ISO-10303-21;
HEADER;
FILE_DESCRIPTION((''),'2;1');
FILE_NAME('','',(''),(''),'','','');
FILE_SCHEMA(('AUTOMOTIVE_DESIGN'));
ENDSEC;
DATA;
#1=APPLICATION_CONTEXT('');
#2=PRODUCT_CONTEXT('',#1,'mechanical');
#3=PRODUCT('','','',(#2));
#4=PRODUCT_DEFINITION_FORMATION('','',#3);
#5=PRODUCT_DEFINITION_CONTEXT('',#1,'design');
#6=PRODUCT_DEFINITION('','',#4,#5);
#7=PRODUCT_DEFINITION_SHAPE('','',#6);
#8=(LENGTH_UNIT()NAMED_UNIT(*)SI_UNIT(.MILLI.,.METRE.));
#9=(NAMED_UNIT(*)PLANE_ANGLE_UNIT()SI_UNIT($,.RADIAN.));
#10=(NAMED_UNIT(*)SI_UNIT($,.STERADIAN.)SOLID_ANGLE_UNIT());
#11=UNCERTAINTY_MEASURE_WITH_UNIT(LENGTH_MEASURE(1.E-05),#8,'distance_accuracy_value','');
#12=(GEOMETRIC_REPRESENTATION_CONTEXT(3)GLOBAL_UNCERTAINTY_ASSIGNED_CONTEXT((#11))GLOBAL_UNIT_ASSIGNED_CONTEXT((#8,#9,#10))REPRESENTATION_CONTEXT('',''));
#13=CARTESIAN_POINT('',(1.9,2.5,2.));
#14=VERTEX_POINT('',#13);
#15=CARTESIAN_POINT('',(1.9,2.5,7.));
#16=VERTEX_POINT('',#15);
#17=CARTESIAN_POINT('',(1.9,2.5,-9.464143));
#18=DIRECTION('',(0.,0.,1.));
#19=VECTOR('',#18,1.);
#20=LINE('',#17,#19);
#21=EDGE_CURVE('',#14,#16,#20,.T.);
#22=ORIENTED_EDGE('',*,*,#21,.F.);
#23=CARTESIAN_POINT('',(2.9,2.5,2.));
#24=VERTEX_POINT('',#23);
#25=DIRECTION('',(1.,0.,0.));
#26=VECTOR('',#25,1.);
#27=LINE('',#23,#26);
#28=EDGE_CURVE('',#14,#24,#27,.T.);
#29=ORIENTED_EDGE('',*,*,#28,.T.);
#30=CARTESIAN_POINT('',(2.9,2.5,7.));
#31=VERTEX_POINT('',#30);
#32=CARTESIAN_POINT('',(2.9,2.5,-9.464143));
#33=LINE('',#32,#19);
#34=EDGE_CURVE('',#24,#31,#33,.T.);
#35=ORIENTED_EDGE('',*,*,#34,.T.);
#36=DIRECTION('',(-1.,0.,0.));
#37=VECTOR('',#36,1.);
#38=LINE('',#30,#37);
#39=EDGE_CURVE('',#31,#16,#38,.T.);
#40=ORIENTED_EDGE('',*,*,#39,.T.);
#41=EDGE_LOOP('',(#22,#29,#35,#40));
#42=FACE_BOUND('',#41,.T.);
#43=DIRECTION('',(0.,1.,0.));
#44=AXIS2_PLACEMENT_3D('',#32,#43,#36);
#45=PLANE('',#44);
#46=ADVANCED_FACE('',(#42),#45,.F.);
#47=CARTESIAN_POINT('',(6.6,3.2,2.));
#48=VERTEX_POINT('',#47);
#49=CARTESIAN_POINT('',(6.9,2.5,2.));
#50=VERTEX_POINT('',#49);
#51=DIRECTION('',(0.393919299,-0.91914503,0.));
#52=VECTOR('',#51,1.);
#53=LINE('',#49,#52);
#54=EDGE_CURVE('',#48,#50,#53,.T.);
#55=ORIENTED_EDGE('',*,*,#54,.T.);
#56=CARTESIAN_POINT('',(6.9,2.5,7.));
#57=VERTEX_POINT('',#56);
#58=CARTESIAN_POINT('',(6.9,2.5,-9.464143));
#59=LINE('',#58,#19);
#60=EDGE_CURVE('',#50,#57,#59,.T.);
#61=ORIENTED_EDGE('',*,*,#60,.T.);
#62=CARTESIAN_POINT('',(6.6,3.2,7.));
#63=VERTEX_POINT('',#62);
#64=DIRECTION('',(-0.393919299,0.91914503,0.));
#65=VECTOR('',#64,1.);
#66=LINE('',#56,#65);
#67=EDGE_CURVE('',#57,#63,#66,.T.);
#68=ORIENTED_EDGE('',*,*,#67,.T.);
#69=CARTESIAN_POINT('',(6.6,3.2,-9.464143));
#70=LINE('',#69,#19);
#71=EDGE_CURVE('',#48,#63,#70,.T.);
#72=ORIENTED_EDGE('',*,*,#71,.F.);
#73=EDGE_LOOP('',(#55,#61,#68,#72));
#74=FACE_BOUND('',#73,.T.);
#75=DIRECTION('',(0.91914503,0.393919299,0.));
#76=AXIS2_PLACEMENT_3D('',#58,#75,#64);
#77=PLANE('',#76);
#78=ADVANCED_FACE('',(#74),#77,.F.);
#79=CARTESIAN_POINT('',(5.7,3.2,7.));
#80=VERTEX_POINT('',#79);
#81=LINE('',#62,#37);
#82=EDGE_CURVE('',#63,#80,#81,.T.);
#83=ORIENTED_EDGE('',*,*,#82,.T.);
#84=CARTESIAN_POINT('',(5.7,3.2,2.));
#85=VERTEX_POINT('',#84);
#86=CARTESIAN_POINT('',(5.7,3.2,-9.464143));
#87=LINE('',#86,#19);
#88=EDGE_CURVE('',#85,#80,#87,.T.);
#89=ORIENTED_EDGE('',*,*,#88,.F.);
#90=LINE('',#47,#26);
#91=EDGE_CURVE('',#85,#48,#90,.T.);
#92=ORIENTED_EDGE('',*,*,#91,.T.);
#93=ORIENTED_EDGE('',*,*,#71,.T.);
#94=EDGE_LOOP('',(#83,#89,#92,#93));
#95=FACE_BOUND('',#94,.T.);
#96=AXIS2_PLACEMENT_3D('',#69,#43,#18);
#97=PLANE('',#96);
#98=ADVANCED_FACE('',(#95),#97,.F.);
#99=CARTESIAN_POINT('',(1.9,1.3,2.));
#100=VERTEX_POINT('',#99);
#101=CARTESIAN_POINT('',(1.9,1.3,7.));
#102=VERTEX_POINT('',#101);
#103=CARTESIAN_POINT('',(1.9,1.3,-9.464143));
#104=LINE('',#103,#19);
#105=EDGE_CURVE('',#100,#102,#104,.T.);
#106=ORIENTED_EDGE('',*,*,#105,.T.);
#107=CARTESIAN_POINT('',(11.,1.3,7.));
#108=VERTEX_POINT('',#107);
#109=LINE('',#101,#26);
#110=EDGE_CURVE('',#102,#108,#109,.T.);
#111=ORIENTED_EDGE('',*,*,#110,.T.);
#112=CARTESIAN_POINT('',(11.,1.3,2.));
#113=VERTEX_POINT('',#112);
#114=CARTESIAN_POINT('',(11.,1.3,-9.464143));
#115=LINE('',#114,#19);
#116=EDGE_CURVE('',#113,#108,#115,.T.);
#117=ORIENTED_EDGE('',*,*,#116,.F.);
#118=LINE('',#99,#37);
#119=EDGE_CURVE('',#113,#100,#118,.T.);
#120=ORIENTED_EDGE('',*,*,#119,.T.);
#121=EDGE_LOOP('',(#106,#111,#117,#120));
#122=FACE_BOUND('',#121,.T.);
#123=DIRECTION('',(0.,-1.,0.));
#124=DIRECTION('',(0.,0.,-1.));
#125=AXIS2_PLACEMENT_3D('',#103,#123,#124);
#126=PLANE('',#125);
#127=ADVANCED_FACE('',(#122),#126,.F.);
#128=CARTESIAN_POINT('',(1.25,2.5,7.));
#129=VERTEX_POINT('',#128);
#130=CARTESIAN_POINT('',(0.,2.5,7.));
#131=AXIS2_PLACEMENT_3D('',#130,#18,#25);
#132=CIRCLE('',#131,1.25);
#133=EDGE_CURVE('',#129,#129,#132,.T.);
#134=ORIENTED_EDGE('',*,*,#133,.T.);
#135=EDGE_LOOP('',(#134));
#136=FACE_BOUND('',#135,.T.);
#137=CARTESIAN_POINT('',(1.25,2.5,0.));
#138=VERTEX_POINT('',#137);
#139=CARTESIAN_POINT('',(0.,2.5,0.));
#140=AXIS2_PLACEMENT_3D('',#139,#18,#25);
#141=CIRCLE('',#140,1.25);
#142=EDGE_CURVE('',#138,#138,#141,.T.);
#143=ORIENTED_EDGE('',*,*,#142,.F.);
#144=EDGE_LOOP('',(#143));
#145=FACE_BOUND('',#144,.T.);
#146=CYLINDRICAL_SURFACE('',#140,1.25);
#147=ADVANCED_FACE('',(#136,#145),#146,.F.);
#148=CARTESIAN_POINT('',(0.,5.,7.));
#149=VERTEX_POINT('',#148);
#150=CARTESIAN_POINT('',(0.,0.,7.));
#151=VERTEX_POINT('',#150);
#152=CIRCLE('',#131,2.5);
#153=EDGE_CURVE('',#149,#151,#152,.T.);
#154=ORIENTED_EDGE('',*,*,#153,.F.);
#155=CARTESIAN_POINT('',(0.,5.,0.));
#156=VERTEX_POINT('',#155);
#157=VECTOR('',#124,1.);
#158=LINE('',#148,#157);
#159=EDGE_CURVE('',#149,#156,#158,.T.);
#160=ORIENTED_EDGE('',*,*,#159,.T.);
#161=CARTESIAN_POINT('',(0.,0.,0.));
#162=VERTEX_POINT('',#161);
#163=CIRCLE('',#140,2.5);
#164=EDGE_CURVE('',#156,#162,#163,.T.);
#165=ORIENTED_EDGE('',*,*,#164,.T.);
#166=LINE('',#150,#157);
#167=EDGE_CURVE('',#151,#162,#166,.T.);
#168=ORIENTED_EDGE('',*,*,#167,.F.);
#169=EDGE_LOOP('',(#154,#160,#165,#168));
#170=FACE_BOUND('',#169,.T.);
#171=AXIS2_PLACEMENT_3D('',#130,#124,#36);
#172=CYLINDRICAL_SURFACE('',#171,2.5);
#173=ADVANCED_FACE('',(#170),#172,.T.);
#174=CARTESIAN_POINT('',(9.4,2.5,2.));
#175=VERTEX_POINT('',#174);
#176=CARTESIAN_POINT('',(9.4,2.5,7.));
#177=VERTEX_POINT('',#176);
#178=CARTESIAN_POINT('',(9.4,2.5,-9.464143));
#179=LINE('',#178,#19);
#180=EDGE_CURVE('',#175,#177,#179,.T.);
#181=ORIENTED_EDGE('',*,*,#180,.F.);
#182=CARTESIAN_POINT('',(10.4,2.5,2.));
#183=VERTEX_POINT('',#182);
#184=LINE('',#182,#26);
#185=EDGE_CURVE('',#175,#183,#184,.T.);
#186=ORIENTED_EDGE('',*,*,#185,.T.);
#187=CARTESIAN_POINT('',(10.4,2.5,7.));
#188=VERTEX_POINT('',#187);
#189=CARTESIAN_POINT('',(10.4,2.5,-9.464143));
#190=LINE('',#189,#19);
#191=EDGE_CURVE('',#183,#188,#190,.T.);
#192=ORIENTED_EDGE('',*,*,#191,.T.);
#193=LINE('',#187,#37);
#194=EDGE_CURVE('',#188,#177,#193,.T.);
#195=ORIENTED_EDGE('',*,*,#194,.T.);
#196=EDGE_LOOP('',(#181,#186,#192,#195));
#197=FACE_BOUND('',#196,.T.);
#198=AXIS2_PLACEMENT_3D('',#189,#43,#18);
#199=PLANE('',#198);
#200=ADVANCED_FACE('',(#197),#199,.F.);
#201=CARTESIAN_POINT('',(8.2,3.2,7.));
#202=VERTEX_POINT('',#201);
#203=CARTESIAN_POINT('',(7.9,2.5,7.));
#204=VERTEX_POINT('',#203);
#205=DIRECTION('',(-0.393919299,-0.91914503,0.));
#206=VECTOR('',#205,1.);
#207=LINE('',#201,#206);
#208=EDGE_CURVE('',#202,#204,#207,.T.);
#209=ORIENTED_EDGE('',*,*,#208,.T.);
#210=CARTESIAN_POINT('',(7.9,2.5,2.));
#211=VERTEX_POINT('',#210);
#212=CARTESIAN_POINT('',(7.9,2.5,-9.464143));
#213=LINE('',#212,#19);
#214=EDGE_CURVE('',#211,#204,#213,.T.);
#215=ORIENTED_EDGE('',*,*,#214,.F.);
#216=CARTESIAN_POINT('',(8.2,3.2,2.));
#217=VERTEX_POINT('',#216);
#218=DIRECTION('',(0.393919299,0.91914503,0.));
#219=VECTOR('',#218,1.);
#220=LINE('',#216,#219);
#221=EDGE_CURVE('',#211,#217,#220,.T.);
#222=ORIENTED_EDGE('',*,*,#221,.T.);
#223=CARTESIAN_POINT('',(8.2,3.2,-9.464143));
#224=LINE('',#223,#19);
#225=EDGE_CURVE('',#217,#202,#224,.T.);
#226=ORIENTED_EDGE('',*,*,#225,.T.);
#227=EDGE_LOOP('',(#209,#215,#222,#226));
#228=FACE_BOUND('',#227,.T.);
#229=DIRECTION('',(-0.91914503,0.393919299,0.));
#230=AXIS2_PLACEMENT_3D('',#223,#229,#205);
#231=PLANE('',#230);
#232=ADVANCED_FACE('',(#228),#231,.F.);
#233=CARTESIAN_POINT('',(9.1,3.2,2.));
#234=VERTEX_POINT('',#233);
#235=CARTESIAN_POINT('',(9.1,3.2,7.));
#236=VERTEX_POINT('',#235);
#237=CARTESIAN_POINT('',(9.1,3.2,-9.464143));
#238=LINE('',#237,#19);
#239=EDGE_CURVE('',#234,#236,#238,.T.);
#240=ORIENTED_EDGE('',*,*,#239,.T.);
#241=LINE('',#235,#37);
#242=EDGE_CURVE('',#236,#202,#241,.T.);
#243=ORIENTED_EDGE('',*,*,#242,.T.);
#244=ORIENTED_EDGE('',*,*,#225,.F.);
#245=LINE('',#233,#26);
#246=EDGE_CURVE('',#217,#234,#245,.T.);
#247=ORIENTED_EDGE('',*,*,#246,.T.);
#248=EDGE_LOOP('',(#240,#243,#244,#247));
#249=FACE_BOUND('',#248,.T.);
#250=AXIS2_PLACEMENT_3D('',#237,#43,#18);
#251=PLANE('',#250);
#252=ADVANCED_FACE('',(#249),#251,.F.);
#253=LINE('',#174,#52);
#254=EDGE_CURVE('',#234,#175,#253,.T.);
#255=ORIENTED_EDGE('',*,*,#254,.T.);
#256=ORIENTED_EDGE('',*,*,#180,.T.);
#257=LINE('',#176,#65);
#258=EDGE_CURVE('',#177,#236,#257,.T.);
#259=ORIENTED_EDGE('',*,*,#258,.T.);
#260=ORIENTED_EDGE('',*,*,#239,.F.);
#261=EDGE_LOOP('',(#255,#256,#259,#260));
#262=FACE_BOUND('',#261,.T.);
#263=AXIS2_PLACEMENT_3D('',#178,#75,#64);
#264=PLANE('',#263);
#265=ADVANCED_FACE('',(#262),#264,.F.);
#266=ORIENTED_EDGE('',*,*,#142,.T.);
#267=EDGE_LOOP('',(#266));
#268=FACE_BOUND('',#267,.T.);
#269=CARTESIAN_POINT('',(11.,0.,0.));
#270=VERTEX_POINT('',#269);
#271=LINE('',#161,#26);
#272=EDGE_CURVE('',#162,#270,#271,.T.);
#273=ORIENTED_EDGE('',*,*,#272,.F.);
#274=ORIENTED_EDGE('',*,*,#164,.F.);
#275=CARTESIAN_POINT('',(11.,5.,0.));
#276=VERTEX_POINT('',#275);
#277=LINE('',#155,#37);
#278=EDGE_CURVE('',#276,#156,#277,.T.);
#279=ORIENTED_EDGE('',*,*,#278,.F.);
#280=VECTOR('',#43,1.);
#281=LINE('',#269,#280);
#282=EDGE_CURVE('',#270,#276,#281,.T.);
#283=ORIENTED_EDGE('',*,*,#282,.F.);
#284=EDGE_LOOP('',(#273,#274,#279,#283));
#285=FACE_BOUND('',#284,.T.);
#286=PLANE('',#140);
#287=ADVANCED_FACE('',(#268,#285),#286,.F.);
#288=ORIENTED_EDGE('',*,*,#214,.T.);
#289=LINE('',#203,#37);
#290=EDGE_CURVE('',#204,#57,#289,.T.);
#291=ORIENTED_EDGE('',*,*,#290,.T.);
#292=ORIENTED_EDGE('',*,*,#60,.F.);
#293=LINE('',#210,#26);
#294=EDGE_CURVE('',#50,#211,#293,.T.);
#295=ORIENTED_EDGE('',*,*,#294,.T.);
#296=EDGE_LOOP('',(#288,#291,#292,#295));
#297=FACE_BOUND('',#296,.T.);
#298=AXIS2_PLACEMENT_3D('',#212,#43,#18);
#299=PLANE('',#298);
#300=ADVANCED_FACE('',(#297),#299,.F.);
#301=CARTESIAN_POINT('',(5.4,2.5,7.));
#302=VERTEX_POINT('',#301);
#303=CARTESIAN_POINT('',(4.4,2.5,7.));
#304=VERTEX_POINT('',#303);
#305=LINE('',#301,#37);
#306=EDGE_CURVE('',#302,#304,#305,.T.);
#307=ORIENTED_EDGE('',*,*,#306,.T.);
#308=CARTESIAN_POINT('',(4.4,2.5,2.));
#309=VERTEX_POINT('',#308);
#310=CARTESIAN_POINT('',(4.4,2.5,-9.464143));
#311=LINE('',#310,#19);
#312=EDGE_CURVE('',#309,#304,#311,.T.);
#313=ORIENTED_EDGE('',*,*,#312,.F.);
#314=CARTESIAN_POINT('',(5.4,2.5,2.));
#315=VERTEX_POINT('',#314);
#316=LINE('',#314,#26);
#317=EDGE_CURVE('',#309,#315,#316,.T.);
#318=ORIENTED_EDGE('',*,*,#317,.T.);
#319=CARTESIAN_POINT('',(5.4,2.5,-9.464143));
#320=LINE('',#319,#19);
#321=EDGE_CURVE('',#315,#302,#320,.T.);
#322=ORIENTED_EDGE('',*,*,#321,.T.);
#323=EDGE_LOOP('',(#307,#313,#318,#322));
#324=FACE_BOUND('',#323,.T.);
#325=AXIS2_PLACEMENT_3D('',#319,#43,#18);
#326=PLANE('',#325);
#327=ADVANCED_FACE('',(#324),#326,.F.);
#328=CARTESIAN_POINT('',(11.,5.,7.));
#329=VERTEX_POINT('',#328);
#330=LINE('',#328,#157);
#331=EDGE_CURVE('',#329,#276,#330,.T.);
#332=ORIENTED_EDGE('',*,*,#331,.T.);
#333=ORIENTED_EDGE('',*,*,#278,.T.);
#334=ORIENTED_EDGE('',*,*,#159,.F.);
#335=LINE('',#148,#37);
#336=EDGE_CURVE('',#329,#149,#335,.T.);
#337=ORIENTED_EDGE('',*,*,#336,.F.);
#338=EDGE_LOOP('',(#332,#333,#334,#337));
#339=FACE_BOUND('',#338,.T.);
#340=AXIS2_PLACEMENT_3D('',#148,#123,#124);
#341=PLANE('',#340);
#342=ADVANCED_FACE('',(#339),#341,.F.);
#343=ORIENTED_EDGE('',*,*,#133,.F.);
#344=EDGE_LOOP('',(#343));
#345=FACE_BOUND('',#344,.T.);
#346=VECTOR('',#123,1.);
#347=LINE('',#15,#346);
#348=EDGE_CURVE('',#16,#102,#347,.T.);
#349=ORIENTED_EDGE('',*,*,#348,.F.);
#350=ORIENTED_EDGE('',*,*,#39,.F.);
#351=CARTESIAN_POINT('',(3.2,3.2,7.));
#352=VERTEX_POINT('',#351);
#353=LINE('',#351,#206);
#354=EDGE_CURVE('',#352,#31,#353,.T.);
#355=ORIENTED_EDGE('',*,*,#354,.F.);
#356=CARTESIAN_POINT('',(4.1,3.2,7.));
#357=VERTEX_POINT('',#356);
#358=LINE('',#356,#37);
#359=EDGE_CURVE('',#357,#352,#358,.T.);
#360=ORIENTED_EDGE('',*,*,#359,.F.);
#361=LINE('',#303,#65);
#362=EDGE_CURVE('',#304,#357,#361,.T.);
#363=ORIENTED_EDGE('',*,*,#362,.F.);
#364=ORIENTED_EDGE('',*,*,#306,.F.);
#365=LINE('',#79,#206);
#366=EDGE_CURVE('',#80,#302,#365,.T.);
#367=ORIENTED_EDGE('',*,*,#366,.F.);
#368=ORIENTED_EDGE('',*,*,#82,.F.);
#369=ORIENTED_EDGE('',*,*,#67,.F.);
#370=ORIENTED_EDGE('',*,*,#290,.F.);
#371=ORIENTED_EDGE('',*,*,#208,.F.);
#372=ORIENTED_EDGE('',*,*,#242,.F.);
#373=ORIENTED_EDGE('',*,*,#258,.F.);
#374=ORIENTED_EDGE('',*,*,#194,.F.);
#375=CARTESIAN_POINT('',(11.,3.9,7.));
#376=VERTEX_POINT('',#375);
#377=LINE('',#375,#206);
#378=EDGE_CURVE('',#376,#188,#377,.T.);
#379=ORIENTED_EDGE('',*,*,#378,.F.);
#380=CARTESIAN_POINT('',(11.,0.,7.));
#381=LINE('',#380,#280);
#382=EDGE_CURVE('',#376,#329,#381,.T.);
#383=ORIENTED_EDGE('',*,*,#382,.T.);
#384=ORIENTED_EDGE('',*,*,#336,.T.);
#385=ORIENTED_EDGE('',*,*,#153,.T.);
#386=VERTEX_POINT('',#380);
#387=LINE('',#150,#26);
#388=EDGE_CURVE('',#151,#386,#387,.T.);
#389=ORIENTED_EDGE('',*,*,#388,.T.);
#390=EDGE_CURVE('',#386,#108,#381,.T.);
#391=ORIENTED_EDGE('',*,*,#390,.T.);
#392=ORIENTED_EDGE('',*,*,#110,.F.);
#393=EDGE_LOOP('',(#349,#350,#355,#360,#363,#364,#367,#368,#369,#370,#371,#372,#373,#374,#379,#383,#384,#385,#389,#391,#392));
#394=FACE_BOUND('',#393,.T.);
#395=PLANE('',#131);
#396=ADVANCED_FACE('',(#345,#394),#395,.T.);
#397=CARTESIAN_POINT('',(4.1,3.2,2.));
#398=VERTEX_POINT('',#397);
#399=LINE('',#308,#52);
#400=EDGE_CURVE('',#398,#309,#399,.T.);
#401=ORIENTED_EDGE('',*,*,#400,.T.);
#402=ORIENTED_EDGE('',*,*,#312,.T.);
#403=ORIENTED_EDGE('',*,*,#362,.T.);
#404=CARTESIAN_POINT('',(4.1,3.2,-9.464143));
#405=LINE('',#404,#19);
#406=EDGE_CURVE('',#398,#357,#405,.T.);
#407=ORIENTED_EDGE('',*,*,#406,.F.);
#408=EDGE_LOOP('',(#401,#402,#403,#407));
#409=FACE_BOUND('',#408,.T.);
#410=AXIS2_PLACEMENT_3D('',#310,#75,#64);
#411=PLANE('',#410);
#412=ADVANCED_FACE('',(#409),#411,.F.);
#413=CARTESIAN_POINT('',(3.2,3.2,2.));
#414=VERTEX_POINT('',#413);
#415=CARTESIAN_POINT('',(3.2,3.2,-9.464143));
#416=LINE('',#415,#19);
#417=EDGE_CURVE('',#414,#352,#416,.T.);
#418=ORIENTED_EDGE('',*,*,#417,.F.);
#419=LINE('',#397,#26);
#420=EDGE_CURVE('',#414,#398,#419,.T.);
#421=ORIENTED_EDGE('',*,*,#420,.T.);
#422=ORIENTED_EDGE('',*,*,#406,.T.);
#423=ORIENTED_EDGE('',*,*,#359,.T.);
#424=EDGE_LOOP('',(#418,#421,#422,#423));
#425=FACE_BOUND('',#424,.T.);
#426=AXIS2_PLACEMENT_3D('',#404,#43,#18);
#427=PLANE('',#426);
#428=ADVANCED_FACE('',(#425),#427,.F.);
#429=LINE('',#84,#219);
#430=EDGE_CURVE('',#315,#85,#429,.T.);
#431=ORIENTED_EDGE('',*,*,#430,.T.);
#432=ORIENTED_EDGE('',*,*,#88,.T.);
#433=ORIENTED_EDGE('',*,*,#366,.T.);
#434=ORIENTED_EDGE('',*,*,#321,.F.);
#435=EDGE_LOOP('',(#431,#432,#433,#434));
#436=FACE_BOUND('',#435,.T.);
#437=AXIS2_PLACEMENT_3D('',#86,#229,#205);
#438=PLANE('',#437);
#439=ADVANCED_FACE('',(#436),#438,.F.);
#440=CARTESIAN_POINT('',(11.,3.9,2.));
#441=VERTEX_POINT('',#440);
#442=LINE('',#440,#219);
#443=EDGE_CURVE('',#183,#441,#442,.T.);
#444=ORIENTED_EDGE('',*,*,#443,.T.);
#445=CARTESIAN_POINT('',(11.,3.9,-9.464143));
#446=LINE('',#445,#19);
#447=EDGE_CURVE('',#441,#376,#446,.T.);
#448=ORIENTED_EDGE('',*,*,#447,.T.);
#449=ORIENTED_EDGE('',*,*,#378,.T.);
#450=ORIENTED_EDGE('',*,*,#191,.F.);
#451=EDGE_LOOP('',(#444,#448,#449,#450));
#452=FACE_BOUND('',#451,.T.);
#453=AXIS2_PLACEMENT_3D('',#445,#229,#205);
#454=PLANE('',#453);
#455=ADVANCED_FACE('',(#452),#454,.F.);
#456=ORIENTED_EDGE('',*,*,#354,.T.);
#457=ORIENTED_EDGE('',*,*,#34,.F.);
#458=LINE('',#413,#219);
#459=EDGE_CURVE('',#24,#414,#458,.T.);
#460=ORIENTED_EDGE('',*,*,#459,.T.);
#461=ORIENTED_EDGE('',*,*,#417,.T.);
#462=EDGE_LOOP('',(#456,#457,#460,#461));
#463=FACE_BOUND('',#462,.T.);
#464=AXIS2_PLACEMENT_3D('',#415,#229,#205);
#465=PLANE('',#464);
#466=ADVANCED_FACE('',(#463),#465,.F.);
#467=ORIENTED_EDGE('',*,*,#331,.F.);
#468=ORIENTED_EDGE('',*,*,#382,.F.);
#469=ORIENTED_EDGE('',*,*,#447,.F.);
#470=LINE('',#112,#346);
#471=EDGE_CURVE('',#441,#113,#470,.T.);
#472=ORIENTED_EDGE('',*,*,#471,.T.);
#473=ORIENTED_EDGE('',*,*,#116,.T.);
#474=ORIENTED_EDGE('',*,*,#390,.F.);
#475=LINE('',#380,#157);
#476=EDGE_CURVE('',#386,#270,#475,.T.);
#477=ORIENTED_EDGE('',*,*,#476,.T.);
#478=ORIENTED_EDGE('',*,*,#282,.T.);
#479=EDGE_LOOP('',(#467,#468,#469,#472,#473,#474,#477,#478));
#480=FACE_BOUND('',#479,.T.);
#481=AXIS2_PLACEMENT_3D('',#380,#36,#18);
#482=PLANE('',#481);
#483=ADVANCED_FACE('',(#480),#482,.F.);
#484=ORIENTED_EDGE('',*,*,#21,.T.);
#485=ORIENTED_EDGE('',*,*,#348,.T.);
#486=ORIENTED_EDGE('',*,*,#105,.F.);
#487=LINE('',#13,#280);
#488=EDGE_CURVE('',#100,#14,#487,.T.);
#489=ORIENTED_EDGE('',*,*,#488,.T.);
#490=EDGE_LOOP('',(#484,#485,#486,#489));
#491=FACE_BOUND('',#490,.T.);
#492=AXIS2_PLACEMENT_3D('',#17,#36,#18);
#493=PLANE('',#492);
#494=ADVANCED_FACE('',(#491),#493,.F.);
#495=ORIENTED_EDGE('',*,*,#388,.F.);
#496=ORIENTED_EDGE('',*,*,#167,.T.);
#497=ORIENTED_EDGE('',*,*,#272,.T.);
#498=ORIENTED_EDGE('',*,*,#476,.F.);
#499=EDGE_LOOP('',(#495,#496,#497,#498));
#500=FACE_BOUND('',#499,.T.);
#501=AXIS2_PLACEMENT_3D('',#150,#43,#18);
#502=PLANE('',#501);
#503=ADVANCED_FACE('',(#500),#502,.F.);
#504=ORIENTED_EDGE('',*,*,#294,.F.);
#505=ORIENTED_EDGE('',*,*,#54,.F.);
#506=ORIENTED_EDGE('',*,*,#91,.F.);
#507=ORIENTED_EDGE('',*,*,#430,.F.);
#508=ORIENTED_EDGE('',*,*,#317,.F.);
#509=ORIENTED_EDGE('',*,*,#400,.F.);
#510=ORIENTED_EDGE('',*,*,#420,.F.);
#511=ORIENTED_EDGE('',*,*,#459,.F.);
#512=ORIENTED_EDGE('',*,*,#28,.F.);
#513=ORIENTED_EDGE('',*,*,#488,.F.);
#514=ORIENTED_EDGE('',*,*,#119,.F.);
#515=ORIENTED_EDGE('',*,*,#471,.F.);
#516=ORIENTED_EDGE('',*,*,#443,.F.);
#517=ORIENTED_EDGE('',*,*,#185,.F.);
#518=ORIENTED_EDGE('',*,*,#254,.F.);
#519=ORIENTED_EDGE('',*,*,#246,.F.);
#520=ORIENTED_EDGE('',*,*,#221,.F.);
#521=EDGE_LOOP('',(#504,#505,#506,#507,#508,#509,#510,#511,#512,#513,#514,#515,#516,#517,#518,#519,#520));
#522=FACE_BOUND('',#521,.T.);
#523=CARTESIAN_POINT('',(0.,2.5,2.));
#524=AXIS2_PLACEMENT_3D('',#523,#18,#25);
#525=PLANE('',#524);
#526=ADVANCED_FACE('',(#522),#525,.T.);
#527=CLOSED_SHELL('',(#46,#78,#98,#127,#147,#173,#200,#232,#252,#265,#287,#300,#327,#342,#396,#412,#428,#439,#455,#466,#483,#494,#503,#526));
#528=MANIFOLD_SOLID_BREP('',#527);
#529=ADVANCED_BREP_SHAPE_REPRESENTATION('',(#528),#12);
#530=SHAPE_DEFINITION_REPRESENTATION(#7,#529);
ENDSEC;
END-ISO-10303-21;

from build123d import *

# Parameters (mm, degrees)
BOSS_EXTRUDE1_DEPTH = 7
CUT_EXTRUDE1_DEPTH  = 5
SKETCH3_R           = 1.25
CUT_EXTRUDE2_DEPTH  = 8


with BuildPart() as part:
    # Sketch1 → Boss-Extrude1 (new body)
    with BuildSketch(Plane.XY):
        with BuildLine():
            Line((0, 0), (11, 0))
            Line((11, 0), (11, 5))
            Line((11, 5), (0, 5))
            ThreePointArc((0, 5), (-2.5, 2.5), (0, 0))
        make_face()
    extrude(amount=BOSS_EXTRUDE1_DEPTH)

    # Sketch2 → Cut-Extrude1 (cut)
    with BuildSketch(Plane.XY.offset(7)):
        Polygon((11, 3.9), (10.4, 2.5), (9.4, 2.5), (9.1, 3.2), (8.2, 3.2), (7.9, 2.5), (6.9, 2.5), (6.6, 3.2), (5.7, 3.2), (5.4, 2.5), (4.4, 2.5), (4.1, 3.2), (3.2, 3.2), (2.9, 2.5), (1.9, 2.5), (1.9, 1.3), (11, 1.3), align=None)
    extrude(amount=-CUT_EXTRUDE1_DEPTH, mode=Mode.SUBTRACT)

    # Sketch3 → Cut-Extrude2 (cut, through all)
    with BuildSketch(Plane.XY.offset(7)):
        with Locations((0, 2.5)):
            Circle(SKETCH3_R)
    extrude(amount=-CUT_EXTRUDE2_DEPTH, mode=Mode.SUBTRACT)


solid = part.part
